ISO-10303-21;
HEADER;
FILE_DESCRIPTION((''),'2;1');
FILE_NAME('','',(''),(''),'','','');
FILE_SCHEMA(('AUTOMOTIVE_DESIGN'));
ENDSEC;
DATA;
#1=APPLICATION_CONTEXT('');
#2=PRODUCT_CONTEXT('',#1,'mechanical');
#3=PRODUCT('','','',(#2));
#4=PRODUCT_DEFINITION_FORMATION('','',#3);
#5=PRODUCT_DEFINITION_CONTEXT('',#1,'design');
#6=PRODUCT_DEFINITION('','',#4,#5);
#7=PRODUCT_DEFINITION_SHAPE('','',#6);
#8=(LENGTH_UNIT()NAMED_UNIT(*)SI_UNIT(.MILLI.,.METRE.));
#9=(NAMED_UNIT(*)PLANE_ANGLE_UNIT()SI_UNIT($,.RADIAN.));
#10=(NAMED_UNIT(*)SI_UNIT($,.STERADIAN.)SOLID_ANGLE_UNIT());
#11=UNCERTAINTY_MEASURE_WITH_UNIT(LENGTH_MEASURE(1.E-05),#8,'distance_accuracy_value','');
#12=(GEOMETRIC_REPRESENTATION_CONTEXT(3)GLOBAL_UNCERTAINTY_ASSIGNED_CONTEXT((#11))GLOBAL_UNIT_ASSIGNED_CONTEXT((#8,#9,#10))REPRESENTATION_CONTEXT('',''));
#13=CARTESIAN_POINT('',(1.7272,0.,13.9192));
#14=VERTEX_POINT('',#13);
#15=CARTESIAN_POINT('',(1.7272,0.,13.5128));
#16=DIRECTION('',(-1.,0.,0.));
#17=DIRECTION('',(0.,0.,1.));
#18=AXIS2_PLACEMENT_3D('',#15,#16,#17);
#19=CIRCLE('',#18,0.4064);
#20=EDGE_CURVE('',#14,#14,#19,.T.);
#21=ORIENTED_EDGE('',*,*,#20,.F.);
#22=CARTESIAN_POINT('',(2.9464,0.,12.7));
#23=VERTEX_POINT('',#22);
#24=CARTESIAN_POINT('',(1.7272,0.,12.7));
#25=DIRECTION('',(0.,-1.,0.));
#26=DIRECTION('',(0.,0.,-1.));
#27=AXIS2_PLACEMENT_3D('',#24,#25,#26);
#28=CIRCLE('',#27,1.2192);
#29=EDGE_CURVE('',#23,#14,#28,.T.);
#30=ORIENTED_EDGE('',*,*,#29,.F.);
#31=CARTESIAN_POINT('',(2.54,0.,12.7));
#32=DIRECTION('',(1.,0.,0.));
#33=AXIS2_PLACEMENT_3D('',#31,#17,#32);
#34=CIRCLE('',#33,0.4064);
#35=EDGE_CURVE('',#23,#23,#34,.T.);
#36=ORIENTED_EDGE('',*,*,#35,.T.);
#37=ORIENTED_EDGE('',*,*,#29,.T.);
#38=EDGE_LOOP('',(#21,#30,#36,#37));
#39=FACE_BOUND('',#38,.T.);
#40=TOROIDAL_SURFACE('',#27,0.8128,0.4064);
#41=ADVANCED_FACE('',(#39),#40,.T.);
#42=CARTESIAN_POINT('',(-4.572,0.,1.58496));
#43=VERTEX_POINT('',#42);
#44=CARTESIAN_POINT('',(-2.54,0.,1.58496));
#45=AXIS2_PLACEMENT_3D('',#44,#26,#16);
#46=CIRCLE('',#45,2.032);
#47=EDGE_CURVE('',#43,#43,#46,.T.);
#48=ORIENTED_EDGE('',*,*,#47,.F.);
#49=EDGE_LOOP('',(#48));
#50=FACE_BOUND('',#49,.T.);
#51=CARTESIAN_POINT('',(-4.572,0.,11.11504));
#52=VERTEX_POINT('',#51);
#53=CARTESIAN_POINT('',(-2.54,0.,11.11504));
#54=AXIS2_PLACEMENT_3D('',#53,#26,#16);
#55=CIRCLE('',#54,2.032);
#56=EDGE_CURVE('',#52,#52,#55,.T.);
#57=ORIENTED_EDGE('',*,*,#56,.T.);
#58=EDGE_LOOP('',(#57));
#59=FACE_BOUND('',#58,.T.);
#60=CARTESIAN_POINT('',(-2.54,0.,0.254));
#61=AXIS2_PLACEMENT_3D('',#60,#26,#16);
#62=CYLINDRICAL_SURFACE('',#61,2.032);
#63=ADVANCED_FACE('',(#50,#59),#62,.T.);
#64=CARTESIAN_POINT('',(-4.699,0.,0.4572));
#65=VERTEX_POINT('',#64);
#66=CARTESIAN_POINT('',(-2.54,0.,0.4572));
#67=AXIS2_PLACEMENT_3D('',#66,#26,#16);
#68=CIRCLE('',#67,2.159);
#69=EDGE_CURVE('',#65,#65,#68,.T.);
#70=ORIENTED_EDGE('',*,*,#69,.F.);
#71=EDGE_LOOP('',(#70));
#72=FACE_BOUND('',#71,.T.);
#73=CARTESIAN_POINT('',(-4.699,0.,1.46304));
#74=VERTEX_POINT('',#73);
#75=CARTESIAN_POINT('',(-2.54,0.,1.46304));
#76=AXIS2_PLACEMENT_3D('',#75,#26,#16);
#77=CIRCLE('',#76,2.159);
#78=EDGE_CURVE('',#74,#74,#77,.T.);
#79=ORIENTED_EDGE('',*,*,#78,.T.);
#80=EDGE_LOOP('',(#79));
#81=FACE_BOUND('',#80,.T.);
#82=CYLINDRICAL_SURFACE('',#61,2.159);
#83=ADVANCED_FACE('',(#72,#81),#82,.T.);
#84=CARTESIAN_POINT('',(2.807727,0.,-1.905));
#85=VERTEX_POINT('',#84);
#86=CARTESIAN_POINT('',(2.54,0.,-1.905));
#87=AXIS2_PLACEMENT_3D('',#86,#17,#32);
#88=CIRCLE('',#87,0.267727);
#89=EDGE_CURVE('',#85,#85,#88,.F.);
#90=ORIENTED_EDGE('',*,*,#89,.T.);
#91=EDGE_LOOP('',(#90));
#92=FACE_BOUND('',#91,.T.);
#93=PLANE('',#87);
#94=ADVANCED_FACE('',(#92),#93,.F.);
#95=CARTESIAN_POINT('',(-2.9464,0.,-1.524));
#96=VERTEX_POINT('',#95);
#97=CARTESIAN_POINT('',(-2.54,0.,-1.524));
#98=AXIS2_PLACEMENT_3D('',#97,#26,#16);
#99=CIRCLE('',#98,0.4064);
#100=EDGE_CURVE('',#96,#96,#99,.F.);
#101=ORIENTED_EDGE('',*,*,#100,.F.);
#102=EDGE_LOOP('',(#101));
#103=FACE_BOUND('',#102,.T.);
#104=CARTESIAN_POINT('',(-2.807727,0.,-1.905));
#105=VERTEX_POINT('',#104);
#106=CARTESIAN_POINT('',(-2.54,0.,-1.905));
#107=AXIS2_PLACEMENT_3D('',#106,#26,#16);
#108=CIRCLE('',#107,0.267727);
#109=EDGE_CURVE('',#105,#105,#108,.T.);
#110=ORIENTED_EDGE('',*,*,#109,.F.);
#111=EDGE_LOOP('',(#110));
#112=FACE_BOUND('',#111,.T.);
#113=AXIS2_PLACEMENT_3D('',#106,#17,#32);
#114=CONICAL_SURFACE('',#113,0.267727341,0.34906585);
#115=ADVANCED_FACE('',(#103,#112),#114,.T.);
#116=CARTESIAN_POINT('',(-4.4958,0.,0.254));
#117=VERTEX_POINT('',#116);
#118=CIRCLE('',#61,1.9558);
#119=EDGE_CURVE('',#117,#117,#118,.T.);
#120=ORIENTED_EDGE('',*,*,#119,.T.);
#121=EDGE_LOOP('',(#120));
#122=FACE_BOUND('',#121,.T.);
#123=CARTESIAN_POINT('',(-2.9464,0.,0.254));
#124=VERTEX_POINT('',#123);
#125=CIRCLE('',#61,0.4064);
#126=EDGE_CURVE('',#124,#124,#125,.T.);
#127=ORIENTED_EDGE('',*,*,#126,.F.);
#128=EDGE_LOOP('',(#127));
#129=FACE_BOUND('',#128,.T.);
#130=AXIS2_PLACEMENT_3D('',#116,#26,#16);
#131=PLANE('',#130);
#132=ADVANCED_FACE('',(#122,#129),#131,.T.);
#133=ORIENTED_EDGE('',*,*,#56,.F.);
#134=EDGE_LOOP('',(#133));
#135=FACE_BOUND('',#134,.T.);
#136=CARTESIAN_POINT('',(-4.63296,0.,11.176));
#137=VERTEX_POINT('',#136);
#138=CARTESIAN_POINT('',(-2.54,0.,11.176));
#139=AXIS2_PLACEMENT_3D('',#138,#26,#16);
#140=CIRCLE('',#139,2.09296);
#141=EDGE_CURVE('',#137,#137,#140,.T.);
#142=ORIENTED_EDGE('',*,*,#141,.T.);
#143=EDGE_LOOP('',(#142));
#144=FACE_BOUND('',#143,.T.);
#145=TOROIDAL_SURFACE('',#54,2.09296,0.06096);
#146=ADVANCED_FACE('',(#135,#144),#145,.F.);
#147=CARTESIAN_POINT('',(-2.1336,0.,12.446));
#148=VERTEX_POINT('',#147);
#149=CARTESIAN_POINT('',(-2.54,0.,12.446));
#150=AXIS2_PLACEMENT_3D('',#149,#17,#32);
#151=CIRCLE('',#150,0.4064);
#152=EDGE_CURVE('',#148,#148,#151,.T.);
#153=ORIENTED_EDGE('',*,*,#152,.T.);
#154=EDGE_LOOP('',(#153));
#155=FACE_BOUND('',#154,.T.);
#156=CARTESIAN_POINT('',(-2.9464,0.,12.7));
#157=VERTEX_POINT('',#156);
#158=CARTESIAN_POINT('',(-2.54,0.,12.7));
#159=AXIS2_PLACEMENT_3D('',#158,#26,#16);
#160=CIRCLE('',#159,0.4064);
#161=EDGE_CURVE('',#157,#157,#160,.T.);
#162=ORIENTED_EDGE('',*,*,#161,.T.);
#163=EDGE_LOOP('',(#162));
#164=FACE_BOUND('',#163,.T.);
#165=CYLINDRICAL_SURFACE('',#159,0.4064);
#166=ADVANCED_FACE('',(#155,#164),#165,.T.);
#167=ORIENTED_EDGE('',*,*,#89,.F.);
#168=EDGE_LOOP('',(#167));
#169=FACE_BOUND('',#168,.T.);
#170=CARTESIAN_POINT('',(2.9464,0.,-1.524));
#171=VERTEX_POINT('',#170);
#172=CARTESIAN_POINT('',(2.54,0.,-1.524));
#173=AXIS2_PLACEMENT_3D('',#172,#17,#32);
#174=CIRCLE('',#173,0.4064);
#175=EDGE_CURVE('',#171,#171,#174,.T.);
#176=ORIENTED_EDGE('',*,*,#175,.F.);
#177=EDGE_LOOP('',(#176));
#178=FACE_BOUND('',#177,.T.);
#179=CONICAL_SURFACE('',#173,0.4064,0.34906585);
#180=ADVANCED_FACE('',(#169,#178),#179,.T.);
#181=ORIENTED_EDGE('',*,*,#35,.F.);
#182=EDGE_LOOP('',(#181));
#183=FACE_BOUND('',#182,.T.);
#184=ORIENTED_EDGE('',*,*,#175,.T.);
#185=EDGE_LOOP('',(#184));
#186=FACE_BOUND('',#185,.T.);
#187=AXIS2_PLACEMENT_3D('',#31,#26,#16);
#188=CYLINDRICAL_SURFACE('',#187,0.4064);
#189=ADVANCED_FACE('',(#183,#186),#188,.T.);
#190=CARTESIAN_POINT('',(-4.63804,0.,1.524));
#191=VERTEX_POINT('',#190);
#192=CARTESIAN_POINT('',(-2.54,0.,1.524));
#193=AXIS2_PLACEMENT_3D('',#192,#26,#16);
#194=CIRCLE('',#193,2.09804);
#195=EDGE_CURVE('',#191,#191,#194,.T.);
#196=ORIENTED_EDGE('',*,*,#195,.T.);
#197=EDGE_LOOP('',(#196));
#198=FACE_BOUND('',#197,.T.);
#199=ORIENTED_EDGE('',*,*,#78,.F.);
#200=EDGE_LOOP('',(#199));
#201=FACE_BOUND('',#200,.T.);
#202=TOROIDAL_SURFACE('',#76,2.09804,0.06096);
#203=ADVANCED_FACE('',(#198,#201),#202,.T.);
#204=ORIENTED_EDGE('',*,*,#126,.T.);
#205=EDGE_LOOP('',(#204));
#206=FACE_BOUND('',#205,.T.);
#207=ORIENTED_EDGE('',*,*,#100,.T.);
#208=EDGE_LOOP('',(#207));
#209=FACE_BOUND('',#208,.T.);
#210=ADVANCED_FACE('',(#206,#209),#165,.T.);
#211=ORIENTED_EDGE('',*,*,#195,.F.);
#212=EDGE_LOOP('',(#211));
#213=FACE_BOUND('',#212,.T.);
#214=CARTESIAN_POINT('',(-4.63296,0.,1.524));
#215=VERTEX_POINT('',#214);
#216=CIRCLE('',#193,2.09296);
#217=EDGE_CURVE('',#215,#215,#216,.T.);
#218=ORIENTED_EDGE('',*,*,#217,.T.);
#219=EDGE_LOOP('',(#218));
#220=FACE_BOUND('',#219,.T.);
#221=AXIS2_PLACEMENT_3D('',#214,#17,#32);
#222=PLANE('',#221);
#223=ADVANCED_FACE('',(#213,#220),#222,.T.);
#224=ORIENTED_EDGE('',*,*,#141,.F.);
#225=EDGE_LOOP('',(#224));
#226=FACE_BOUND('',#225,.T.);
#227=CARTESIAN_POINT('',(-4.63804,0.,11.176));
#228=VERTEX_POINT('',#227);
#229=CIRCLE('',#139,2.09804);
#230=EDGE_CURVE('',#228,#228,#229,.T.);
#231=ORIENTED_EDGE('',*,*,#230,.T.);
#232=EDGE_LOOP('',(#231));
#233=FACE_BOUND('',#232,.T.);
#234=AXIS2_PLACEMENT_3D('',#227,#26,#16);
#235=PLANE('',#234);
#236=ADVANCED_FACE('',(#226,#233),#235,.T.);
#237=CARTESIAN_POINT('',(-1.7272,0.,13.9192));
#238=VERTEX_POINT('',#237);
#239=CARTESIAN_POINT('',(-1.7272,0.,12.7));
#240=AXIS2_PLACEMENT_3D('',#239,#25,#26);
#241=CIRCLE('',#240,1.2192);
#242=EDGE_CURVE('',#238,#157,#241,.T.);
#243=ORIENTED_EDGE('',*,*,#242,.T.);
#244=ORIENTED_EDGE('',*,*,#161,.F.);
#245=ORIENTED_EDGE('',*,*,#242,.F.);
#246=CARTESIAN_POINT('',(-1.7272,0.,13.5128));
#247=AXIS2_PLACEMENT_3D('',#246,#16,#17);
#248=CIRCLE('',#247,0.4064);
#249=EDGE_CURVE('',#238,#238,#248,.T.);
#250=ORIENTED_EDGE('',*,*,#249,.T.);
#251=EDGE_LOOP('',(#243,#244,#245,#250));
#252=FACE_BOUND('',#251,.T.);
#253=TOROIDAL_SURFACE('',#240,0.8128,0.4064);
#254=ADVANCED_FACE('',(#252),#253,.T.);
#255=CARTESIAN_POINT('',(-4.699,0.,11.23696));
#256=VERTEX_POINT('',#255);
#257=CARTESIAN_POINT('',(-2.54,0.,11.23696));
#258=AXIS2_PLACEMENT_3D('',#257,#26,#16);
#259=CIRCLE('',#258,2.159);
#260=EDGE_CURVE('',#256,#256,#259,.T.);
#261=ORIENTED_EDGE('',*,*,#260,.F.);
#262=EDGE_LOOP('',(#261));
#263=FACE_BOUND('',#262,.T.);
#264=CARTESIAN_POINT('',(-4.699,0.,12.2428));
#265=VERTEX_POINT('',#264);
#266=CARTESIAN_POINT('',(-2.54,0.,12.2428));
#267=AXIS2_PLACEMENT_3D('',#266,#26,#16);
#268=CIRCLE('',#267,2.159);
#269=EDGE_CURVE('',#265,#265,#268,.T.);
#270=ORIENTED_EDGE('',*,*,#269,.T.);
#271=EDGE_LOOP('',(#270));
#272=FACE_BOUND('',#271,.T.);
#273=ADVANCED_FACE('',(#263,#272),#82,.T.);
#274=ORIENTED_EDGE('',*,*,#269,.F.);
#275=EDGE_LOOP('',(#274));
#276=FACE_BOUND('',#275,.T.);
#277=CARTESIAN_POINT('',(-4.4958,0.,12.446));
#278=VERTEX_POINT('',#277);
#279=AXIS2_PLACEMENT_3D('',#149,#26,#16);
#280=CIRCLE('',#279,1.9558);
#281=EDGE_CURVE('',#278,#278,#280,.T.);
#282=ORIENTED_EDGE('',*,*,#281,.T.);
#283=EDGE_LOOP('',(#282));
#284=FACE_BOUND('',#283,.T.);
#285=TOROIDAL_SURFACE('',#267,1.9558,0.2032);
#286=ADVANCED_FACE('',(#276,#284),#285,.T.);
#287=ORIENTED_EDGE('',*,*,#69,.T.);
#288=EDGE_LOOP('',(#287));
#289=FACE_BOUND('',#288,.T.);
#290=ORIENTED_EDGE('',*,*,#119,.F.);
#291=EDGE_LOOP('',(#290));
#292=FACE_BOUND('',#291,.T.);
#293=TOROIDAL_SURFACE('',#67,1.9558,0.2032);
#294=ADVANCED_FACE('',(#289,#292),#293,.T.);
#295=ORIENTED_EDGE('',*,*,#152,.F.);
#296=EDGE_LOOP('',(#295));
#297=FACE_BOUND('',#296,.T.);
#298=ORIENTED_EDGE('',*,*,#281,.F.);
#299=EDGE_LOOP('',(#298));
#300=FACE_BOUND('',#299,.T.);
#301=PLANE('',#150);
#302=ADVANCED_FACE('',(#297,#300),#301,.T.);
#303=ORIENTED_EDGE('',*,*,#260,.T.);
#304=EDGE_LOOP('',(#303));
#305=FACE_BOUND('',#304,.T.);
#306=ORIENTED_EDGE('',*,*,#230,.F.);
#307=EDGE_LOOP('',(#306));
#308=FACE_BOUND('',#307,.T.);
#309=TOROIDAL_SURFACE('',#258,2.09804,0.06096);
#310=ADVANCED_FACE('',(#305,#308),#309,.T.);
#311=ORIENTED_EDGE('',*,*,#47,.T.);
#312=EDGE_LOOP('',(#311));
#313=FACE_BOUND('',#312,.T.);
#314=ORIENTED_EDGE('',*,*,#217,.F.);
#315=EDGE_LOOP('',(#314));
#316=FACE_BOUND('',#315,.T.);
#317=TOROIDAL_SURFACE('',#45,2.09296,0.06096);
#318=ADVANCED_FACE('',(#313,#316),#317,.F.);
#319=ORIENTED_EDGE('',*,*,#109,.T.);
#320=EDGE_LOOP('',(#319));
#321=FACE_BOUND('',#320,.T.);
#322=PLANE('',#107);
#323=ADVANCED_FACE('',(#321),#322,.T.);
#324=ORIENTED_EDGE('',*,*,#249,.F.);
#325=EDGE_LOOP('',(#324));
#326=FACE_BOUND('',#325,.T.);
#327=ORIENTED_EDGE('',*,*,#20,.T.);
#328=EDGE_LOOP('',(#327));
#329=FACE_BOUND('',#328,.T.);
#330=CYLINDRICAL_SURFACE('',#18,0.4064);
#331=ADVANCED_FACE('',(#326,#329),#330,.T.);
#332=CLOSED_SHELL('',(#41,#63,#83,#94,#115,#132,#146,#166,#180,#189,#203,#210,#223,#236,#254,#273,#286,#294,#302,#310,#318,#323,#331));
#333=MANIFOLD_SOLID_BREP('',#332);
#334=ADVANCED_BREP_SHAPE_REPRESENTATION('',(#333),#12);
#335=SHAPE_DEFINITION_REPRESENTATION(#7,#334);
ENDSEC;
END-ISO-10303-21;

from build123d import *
from OCP.BRepFilletAPI import BRepFilletAPI_MakeChamfer

# Parameters (mm, degrees)
SKETCH3_R      = 0.4064
CHAMFER1_SIZE  = 0.381
CHAMFER1_SIZE2 = 0.138672659


with BuildPart() as part:
    # Sketch1 → Revolve1 (revolve)
    with BuildSketch(Plane(origin=(0, 0, 0), x_dir=(1, 0, 0), z_dir=(0, 1, 0))):
        with BuildLine():
            Line((-2.54, -12.446), (-4.4958, -12.446))
            ThreePointArc((-4.4958, -12.446), (-4.639484098, -12.386484098), (-4.699, -12.2428))
            Line((-4.699, -12.2428), (-4.699, -11.23696))
            ThreePointArc((-4.699, -11.23696), (-4.681145229, -11.193854771), (-4.63804, -11.176))
            Line((-4.63804, -11.176), (-4.63296, -11.176))
            ThreePointArc((-4.63296, -11.176), (-4.589854771, -11.158145229), (-4.572, -11.11504))
            Line((-4.572, -11.11504), (-4.572, -1.58496))
            ThreePointArc((-4.572, -1.58496), (-4.589854771, -1.541854771), (-4.63296, -1.524))
            Line((-4.63296, -1.524), (-4.63804, -1.524))
            ThreePointArc((-4.63804, -1.524), (-4.681145229, -1.506145229), (-4.699, -1.46304))
            Line((-4.699, -1.46304), (-4.699, -0.4572))
            ThreePointArc((-4.699, -0.4572), (-4.639484098, -0.313515902), (-4.4958, -0.254))
            Line((-4.4958, -0.254), (-2.54, -0.254))
            Line((-2.54, -0.254), (-2.54, -12.446))
        make_face()
    revolve(axis=Axis((-2.54, 0, 0.254), (0, 0, 1)))

    # Sweep1: sweep along a path in Sketch2
    with BuildLine(Plane(origin=(0, 0, 0), x_dir=(1, 0, 0), z_dir=(0, 1, 0))) as sweep1_path:
        Line((2.54, 1.905), (2.54, -12.7))
        ThreePointArc((2.54, -12.7), (2.301936392, -13.274736392), (1.7272, -13.5128))
        Line((1.7272, -13.5128), (-1.7272, -13.5128))
        ThreePointArc((-1.7272, -13.5128), (-2.301936392, -13.274736392), (-2.54, -12.7))
        Line((-2.54, -12.7), (-2.54, 1.905))
    # Sketch3 → Sweep1 (sweep)
    with BuildSketch(Plane.XY.offset(-1.905)):
        with Locations((2.54, 0)):
            Circle(SKETCH3_R)
    sweep(path=sweep1_path.line)

    # Chamfer1: one chamfer whose edges measure the first distance from different faces: ONE call of the kernel's chamfer builder (chamfer() names one face for all edges)
    chamfer1_edges_1 = [part.edges().sort_by_distance(p)[0] for p in [
        (2.1336, 0, -1.905),
    ]]
    chamfer1_side_1 = [part.faces().sort_by_distance(p)[0] for p in [
        (2.1336, 0, 5.3975),
    ]]
    chamfer1_edges_2 = [part.edges().sort_by_distance(p)[0] for p in [
        (-2.1336, 0, -1.905),
    ]]
    chamfer1_side_2 = [part.faces().sort_by_distance(p)[0] for p in [
        (-2.1336, 0, -0.8255),
    ]]
    chamfer1 = BRepFilletAPI_MakeChamfer(part.part.solid().wrapped)
    for e in chamfer1_edges_1:
        chamfer1.Add(CHAMFER1_SIZE, CHAMFER1_SIZE2, e.wrapped, chamfer1_side_1[0].wrapped)  # the first distance lies on this face
    for e in chamfer1_edges_2:
        chamfer1.Add(CHAMFER1_SIZE, CHAMFER1_SIZE2, e.wrapped, chamfer1_side_2[0].wrapped)  # the first distance lies on this face
    add(Compound.cast(chamfer1.Shape()), mode=Mode.REPLACE)


solid = part.part
